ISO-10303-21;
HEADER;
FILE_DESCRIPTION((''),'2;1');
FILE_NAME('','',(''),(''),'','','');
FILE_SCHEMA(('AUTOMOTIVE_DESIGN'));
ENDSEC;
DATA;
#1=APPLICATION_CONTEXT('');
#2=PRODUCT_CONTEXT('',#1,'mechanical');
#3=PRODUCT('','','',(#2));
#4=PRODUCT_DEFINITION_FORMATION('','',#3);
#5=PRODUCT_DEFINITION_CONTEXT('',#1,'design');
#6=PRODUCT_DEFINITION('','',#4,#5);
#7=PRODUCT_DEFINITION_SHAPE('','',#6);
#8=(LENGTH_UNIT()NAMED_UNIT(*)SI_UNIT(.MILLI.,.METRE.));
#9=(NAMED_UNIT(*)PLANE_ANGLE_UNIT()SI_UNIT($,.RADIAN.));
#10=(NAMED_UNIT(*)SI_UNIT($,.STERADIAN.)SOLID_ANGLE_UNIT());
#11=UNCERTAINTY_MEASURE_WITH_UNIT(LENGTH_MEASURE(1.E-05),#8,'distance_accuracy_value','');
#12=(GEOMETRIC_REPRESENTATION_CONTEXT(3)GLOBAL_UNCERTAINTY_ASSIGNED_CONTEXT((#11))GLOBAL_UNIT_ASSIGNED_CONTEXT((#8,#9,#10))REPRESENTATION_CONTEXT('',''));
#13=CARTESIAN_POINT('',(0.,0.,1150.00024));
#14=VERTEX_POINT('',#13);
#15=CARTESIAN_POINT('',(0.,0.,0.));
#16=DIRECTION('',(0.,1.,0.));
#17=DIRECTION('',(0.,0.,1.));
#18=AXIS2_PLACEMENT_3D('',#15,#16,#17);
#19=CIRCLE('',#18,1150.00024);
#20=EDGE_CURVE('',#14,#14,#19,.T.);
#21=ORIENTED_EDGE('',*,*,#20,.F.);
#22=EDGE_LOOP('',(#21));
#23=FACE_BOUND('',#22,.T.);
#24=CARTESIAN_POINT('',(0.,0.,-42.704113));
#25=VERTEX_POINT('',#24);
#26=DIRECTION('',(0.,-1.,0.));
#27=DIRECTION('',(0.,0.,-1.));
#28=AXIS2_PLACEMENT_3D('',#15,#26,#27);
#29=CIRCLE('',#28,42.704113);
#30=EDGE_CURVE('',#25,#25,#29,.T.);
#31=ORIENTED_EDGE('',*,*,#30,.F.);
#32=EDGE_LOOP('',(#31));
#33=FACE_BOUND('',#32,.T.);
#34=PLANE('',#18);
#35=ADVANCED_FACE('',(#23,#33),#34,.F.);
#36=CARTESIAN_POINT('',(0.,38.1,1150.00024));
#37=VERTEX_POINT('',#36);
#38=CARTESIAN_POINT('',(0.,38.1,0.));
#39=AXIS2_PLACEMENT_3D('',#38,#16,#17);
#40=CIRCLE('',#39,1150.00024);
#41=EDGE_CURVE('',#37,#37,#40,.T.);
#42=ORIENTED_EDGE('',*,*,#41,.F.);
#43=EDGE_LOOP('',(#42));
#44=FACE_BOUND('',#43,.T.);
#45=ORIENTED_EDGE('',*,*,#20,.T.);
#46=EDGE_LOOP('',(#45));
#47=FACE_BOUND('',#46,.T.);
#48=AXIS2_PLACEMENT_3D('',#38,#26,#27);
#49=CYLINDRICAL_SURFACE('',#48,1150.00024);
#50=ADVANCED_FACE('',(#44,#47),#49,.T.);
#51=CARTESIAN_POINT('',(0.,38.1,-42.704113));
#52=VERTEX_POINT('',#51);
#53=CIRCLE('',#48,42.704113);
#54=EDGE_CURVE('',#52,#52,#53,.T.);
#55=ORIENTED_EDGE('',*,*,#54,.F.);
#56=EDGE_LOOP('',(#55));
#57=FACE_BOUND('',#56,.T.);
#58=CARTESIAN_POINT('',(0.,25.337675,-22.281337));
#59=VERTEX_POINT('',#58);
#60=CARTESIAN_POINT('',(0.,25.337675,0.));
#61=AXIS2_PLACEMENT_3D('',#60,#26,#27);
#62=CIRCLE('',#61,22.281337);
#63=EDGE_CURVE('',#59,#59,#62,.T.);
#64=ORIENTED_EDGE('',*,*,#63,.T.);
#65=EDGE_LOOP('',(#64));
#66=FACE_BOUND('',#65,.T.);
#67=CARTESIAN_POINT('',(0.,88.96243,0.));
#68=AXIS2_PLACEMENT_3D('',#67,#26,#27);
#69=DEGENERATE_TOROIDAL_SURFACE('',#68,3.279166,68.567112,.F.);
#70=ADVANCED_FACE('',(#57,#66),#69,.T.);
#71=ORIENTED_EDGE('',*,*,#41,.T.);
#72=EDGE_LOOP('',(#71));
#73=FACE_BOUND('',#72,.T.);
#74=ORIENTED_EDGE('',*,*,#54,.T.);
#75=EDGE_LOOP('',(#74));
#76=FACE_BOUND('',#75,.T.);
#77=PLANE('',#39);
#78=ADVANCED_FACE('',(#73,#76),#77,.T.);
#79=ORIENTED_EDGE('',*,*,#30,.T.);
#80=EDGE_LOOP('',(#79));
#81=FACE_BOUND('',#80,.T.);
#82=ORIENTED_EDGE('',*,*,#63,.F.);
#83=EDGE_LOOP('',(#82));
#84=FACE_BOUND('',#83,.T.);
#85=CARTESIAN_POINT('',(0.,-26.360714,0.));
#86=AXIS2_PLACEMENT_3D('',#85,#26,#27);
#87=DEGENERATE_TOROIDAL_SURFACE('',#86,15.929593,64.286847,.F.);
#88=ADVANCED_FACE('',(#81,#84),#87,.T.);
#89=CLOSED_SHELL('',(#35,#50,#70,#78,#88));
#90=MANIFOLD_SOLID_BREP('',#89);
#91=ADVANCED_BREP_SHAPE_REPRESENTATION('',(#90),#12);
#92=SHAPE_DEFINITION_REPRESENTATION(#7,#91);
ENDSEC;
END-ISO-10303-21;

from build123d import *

# Parameters (mm, degrees)
SKETCH1_R           = 1150.00024
BOSS_EXTRUDE1_DEPTH = 38.1


with BuildPart() as part:
    # Sketch1 → Boss-Extrude1 (new body)
    with BuildSketch(Plane(origin=(0, 0, 0), x_dir=(1, 0, 0), z_dir=(0, 1, 0))):
        Circle(SKETCH1_R)
    extrude(amount=BOSS_EXTRUDE1_DEPTH)

    # Sketch2 → Cut-Revolve1 (revolve, cut)
    with BuildSketch(Plane.XY):
        with BuildLine():
            Line((0, 0), (0, 38.1))
            Line((0, 38.1), (42.704112888, 38.1))
            ThreePointArc((42.704112888, 38.1), (33.057419264, 30.815191944), (22.281337432, 25.337675478))
            ThreePointArc((22.281337432, 25.337675478), (34.122583246, 13.982542532), (42.704112888, 0))
            Line((42.704112888, 0), (0, 0))
        make_face()
    revolve(axis=Axis((0, 0, 0), (0, 1, 0)), mode=Mode.SUBTRACT)


solid = part.part
